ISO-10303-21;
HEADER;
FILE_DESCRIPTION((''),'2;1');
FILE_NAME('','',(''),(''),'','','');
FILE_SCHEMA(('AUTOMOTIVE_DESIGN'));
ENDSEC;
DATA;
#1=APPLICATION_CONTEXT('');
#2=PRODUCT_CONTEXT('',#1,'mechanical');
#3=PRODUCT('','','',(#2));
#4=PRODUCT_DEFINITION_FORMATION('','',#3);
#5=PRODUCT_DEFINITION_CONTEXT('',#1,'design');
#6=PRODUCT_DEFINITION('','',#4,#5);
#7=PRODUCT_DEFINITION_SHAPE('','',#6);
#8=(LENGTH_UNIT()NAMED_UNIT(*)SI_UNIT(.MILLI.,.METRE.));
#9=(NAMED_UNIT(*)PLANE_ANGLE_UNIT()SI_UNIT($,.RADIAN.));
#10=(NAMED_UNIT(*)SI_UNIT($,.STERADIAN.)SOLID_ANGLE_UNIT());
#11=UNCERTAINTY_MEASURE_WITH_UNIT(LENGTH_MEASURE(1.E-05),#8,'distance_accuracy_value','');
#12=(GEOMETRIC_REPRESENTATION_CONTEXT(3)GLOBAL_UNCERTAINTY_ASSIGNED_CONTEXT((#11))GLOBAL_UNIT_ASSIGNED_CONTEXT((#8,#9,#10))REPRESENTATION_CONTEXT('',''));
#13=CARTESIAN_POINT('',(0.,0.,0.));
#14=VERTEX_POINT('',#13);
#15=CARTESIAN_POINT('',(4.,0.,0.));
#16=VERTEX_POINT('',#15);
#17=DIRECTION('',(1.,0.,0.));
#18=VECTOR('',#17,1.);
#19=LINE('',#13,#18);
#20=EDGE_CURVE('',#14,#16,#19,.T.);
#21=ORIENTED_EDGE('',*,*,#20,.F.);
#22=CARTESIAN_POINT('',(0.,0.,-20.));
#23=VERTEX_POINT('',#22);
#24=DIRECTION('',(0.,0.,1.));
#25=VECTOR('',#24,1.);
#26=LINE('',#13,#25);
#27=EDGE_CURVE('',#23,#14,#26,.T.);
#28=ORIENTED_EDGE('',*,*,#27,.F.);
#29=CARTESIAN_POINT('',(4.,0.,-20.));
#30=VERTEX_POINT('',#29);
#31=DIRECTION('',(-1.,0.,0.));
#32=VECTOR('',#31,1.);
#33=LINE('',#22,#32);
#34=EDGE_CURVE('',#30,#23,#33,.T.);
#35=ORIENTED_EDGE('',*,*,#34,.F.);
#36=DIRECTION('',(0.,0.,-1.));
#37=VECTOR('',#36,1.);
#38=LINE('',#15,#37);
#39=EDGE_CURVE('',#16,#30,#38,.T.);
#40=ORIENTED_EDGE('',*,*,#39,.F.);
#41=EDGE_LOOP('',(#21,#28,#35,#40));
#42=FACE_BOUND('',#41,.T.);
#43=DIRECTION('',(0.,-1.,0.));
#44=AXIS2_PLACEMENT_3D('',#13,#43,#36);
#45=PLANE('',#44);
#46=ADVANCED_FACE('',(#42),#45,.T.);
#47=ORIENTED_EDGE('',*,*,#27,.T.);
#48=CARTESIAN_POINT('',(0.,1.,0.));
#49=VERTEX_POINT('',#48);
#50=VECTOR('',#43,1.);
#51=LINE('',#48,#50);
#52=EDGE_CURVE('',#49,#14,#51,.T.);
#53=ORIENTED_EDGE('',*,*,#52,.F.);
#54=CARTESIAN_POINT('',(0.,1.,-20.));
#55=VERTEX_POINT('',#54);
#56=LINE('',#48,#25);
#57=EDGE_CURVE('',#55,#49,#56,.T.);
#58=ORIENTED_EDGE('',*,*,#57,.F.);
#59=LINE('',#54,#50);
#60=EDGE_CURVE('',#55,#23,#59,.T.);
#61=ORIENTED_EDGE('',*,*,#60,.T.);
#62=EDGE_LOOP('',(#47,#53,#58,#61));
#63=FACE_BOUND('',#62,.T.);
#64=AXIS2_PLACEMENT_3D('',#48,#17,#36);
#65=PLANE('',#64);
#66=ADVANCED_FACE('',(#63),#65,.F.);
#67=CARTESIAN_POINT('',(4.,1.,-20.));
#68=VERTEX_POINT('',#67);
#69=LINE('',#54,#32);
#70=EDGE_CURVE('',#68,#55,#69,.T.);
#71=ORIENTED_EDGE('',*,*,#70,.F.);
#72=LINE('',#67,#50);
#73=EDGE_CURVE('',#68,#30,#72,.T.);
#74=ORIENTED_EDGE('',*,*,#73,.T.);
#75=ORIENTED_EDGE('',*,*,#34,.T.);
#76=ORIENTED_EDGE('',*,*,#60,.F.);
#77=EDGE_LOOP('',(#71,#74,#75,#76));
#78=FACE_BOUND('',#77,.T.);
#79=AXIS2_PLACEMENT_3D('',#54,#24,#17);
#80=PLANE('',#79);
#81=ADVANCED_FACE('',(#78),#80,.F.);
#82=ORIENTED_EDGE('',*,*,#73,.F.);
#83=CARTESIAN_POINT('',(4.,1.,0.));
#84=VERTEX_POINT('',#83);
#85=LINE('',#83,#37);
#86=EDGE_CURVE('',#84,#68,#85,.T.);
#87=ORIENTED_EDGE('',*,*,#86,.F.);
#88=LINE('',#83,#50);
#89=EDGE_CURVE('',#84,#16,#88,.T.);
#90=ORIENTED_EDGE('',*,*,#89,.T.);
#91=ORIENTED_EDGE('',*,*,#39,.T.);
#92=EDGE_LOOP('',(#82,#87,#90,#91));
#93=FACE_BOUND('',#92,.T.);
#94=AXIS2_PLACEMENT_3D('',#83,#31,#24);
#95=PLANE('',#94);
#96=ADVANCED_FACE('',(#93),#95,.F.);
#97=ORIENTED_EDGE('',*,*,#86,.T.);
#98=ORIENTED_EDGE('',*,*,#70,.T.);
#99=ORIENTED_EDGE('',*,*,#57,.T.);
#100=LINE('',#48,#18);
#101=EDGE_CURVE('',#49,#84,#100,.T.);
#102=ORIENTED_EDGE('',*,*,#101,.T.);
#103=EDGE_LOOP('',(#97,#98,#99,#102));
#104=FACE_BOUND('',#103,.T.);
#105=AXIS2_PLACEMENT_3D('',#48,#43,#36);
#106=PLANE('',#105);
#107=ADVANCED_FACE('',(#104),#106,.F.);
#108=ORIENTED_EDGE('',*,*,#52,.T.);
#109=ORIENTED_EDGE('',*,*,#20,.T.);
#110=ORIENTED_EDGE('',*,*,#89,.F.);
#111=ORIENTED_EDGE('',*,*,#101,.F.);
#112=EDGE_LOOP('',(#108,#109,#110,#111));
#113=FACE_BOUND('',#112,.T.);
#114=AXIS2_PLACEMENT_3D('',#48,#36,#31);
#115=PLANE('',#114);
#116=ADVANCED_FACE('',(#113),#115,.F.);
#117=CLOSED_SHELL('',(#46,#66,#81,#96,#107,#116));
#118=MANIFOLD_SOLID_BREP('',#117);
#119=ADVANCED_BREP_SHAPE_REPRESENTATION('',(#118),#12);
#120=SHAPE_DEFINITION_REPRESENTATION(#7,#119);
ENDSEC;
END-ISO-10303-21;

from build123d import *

# Parameters (mm, degrees)
SKETCH_1_W      = 4
SKETCH_1_H      = 20
EXTRUDE_1_DEPTH = 1


with BuildPart() as part:
    # 草图1 → 凸台-拉伸1 (new body)
    with BuildSketch(Plane(origin=(0, 0, 0), x_dir=(1, 0, 0), z_dir=(0, 1, 0))):
        with Locations((2, 10)):
            Rectangle(SKETCH_1_W, SKETCH_1_H)
    extrude(amount=EXTRUDE_1_DEPTH)


solid = part.part
